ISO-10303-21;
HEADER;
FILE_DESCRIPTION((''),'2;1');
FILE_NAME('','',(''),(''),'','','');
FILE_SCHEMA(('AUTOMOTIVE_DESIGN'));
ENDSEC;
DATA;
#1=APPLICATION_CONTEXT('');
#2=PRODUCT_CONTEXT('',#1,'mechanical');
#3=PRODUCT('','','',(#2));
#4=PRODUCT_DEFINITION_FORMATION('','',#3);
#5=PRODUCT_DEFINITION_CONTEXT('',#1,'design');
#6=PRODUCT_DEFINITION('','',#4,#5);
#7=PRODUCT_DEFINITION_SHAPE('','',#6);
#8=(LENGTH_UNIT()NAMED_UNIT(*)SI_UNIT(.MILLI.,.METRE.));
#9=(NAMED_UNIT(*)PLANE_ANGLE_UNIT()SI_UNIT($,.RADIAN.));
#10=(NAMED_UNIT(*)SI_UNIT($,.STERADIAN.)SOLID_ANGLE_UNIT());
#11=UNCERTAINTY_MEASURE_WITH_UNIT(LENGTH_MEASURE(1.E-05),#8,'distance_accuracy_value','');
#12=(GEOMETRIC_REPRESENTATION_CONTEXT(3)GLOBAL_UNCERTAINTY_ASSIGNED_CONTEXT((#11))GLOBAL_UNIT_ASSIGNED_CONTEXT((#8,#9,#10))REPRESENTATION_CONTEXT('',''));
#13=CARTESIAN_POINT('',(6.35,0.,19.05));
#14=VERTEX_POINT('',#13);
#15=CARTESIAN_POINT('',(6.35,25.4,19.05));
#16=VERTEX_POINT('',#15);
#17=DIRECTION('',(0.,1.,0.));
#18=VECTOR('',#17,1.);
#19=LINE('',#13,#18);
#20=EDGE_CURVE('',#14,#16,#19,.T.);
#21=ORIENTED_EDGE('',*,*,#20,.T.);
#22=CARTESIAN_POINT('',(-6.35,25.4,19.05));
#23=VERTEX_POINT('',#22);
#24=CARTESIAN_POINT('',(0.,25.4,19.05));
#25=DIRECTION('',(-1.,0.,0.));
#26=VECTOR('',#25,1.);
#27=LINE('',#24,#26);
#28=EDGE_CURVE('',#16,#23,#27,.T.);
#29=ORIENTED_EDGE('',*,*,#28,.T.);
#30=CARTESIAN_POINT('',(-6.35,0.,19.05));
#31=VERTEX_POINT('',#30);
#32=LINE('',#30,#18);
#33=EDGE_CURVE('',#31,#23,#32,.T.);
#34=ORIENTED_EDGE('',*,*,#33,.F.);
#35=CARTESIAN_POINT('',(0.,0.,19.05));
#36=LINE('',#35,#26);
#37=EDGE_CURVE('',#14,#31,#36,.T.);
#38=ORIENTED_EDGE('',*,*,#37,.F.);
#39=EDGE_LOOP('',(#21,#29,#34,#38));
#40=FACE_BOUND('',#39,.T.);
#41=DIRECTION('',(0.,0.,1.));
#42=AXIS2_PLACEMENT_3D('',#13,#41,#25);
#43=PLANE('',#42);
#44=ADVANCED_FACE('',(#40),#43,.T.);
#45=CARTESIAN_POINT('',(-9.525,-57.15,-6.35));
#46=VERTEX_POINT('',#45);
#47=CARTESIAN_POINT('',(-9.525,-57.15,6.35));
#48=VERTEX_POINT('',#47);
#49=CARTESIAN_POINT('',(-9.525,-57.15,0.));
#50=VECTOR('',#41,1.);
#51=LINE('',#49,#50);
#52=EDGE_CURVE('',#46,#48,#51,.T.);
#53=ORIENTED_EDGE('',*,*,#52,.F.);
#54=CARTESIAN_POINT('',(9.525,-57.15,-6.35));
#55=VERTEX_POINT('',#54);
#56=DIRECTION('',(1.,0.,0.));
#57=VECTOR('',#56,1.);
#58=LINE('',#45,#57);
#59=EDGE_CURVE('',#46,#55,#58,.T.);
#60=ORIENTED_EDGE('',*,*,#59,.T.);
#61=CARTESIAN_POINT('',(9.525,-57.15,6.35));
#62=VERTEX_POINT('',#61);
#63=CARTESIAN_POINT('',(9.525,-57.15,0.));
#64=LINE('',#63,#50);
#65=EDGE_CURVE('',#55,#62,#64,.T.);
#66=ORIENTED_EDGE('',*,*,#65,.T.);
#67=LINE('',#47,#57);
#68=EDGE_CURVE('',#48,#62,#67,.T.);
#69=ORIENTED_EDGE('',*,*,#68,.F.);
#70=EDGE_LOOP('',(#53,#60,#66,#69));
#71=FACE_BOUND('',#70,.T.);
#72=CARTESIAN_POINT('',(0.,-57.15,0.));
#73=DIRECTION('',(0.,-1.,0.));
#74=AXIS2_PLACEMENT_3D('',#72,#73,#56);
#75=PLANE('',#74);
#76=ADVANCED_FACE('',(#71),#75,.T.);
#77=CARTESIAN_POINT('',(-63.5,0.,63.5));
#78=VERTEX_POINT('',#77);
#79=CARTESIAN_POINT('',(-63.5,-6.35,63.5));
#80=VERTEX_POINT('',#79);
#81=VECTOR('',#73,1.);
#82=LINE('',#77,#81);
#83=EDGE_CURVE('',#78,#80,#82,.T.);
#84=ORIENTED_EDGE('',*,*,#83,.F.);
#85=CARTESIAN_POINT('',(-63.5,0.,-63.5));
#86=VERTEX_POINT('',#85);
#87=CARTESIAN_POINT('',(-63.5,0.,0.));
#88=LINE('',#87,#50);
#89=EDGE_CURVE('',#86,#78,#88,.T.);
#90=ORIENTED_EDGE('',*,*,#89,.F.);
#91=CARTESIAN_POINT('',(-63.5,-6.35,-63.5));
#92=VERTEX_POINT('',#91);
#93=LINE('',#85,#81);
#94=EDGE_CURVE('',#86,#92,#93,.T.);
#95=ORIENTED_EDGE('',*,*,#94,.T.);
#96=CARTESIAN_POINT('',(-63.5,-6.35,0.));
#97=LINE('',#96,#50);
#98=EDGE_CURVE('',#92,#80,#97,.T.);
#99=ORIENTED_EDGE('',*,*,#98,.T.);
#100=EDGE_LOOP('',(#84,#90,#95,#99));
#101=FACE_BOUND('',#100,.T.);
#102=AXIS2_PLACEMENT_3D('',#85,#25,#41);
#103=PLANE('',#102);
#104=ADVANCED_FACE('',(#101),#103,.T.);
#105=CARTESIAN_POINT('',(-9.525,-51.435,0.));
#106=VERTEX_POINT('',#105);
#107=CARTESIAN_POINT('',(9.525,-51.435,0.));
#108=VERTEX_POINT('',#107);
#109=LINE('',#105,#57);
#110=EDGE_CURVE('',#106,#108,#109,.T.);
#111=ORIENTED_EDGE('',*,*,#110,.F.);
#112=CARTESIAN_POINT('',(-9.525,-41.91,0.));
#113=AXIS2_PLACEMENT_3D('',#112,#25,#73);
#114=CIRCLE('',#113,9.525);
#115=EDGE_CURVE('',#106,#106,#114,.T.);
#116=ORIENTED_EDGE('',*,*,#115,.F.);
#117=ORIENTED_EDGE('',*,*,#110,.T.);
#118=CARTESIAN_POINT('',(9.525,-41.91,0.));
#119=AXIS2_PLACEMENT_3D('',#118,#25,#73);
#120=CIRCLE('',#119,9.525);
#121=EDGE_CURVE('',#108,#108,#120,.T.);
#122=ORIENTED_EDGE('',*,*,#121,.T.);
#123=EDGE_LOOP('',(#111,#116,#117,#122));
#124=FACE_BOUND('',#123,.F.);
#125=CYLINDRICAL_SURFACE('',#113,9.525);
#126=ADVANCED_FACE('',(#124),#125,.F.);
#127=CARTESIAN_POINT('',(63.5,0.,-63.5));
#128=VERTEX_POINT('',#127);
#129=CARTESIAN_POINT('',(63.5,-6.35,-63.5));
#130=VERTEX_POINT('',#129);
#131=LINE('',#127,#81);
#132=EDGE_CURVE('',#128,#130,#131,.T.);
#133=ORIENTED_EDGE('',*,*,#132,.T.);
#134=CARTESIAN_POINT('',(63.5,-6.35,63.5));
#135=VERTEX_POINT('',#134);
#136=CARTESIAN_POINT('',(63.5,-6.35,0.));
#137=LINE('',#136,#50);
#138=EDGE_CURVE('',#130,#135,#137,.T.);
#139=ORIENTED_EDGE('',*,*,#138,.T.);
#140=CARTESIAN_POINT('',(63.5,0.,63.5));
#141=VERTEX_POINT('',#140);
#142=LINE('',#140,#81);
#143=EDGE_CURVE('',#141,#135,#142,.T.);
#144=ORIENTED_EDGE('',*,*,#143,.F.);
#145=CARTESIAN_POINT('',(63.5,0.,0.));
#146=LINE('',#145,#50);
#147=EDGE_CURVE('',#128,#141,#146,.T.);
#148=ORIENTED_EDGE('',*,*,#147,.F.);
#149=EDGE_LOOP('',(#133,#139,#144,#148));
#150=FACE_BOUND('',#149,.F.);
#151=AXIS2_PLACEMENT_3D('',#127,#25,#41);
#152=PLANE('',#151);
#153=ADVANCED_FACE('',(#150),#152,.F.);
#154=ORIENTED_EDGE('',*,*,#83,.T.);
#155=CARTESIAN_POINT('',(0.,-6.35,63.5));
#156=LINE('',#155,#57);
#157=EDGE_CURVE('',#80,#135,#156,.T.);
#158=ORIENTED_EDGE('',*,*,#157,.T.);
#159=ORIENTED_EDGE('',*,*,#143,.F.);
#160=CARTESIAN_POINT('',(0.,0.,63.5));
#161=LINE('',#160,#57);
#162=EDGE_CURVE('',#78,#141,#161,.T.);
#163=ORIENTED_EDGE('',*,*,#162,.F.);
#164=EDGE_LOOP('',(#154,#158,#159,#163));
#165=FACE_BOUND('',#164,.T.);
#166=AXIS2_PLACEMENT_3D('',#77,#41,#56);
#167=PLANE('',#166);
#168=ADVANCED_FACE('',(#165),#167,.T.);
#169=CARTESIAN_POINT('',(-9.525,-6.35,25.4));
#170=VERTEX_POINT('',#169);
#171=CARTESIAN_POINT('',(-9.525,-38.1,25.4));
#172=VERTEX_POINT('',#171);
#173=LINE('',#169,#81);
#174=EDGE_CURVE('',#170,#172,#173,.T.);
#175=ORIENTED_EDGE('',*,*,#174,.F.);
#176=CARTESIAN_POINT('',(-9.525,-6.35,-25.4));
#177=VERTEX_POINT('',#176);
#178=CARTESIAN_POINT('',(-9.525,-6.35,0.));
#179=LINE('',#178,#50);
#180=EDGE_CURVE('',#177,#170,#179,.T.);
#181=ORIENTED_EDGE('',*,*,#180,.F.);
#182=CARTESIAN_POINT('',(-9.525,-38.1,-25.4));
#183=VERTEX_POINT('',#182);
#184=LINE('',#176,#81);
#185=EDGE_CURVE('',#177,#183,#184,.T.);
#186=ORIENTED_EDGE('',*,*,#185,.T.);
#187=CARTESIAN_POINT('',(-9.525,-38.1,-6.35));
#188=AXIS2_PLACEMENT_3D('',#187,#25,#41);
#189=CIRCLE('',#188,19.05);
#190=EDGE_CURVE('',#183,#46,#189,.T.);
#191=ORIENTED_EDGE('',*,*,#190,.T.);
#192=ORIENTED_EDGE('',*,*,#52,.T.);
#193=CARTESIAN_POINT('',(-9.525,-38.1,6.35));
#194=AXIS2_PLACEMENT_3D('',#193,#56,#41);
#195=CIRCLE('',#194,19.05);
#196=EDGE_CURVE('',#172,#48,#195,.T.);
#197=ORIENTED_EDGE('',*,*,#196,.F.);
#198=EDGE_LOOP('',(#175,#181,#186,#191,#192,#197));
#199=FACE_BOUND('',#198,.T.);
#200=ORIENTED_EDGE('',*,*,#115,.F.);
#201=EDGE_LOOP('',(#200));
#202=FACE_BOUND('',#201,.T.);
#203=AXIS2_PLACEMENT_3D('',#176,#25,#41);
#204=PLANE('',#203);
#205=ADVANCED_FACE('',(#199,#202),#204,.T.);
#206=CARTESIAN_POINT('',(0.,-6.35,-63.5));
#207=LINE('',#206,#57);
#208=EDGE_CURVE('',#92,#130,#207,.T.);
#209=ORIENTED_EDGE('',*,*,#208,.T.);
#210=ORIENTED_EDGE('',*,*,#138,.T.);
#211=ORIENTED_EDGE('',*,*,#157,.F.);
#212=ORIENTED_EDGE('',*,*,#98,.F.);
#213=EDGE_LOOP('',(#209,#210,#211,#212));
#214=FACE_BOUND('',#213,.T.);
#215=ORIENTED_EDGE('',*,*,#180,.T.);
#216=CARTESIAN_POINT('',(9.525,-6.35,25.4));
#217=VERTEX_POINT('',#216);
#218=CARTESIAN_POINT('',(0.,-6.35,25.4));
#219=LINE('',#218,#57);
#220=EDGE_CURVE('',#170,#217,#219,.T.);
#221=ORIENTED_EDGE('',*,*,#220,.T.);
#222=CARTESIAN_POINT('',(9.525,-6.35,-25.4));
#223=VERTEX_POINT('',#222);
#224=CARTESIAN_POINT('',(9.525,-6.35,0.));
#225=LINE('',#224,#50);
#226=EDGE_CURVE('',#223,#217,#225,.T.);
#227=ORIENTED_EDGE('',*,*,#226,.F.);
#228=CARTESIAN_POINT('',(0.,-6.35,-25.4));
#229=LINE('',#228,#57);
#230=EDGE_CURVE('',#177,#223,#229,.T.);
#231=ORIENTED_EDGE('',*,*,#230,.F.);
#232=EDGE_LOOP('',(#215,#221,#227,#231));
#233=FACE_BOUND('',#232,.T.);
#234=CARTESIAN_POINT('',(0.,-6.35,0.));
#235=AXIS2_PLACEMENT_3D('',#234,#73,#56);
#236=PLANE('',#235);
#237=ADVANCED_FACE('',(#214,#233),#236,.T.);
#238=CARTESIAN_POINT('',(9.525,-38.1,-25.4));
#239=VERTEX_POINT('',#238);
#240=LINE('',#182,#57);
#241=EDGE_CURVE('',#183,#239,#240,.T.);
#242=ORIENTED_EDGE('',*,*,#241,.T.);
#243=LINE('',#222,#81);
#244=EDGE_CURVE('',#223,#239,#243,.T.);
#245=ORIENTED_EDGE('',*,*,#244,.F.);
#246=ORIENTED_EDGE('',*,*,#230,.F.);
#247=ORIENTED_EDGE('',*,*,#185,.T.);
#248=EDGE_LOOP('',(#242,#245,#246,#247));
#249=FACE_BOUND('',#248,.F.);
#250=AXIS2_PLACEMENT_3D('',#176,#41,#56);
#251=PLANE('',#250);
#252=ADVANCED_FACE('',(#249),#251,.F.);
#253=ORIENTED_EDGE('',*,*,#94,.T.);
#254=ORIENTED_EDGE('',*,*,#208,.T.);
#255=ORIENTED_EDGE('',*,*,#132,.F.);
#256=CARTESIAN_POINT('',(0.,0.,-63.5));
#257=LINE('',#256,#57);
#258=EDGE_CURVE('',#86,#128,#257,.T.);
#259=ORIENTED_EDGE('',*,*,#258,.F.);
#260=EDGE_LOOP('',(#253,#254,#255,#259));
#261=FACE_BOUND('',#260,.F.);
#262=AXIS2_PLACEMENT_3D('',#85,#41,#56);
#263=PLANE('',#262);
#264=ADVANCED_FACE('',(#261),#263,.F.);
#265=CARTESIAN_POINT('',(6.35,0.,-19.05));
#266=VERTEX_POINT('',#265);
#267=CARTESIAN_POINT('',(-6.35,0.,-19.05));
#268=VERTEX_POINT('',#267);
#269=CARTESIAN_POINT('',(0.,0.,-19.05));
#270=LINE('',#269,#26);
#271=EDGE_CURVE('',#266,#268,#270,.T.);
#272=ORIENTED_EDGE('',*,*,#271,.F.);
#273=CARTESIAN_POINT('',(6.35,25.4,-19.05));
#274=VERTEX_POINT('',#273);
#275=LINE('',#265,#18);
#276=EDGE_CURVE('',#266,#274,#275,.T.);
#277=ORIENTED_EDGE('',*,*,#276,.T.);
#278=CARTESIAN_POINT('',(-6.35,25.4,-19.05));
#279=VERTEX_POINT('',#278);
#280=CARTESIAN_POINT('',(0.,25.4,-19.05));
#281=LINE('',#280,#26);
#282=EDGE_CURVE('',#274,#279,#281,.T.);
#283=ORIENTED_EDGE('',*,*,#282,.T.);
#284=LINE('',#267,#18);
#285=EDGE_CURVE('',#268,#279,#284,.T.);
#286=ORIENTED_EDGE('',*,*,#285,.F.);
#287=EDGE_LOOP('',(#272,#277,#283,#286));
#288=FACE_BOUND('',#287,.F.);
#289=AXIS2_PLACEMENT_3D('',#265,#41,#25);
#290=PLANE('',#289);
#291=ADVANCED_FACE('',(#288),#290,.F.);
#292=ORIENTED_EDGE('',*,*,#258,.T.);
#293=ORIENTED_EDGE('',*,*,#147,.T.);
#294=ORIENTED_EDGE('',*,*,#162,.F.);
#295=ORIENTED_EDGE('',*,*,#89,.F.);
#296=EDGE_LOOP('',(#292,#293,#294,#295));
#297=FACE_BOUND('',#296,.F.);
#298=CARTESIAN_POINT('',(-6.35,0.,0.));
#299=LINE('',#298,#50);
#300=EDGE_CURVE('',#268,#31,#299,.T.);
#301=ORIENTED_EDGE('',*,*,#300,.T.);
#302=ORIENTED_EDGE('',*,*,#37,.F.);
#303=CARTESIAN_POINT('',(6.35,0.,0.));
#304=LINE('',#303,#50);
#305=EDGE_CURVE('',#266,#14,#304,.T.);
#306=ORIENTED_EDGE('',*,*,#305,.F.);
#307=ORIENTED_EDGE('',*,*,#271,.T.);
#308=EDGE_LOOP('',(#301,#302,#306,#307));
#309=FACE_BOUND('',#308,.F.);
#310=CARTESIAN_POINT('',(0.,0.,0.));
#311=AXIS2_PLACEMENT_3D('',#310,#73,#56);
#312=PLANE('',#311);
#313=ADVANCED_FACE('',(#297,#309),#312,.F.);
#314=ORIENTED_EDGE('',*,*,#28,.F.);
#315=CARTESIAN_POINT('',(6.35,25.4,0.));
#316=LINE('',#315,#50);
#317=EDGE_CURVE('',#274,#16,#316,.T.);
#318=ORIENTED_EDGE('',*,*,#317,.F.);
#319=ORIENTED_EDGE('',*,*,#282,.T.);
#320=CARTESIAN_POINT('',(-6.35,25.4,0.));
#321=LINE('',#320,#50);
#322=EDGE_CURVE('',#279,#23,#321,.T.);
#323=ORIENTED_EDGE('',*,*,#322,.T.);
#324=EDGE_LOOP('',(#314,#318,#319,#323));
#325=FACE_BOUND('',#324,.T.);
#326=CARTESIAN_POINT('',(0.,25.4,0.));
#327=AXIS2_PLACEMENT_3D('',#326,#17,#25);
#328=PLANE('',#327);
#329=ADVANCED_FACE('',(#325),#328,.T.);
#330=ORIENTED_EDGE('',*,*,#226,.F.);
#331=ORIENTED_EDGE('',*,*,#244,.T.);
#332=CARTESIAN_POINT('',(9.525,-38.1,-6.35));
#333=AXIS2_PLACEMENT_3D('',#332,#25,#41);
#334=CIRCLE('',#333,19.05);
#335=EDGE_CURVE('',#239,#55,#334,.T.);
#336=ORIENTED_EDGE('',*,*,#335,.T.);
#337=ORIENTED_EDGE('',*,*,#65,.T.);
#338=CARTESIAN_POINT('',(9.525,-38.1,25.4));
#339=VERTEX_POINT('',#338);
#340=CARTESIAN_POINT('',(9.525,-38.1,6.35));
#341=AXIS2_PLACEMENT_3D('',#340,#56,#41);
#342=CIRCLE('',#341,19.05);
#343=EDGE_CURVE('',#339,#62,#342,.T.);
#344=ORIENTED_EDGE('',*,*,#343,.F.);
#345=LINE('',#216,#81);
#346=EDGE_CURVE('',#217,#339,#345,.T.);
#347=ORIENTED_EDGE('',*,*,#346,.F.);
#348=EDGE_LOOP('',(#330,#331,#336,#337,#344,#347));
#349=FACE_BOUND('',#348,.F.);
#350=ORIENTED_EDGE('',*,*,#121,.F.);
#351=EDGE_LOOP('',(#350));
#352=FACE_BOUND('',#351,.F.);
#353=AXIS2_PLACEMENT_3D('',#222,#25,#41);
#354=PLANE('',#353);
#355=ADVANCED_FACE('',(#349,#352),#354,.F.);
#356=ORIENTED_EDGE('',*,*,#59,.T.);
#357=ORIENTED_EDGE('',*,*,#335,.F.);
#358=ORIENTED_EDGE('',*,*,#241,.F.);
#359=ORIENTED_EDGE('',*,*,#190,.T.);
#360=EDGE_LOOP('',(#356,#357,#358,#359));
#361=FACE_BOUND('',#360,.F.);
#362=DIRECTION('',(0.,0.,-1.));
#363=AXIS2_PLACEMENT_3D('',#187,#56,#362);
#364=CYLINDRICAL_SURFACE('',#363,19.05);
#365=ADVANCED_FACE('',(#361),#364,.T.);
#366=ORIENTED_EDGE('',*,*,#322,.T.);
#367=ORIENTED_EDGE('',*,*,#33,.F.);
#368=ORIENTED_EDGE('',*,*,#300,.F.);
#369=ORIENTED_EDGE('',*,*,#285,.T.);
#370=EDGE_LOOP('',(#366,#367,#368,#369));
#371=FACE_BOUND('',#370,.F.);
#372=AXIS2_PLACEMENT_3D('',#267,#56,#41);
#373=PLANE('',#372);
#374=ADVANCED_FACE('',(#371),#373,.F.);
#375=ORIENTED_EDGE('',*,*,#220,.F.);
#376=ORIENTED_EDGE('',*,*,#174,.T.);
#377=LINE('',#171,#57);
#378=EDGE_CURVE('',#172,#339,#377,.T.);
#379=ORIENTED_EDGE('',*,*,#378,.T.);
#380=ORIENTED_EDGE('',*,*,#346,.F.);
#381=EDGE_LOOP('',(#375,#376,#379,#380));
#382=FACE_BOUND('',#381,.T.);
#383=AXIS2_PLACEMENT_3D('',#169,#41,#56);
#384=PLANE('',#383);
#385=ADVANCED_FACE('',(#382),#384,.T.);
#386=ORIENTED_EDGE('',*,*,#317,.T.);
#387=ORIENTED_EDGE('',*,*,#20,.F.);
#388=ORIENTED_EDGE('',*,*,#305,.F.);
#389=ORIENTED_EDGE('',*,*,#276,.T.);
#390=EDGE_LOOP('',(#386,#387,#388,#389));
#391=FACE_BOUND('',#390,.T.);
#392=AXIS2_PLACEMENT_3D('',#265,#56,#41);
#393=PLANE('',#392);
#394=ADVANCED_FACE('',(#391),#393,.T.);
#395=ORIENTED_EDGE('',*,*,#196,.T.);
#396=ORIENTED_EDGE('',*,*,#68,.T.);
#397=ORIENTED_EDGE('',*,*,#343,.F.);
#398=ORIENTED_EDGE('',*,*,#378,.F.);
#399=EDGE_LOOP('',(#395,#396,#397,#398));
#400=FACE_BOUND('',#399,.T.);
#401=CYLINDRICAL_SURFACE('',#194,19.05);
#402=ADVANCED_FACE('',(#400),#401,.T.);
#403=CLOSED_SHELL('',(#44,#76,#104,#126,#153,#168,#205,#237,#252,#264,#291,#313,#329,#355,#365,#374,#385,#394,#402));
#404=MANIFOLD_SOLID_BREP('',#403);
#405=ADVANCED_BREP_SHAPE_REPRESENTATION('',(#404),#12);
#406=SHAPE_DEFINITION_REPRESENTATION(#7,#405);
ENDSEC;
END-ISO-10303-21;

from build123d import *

# Parameters (mm, degrees)
F0_W     = 127
F0_H     = 127
F1_DEPTH = 6.35
F2_W     = 19.05
F2_H     = 50.8
F3_DEPTH = 50.8
F4_R     = 9.525
F5_DEPTH = 73.026
F6_W     = 12.7
F6_H     = 38.1
F7_DEPTH = 25.4
F8_R     = 19.05


with BuildPart() as f1:
    # F0 (on Front) → F1 (new body)
    with BuildSketch(Plane.XZ):
        Rectangle(F0_W, F0_H)
    extrude(amount=F1_DEPTH)

    # F2 (on face) → F3 (join)
    with BuildSketch(Plane.XZ.offset(6.35)):
        Rectangle(F2_W, F2_H)
    extrude(amount=F3_DEPTH)

    # F4 (on face) → F5 (cut, through all)
    with BuildSketch(Plane(origin=(-9.525, 0, 0), x_dir=(0, -1, 0), z_dir=(-1, 0, 0))):
        with Locations((41.91, 0)):
            Circle(F4_R)
    extrude(amount=-F5_DEPTH, mode=Mode.SUBTRACT)

    # F6 (on face) → F7 (join)
    with BuildSketch(Plane(origin=(0, 0, 0), x_dir=(-1, 0, 0), z_dir=(0, 1, 0))):
        Rectangle(F6_W, F6_H)
    extrude(amount=F7_DEPTH)

    # F8
    f8_edges = [f1.edges().sort_by_distance(p)[0] for p in [
        (0, -57.15, 25.4),
        (0, -57.15, -25.4),
    ]]
    fillet(f8_edges, radius=F8_R)


solid = f1.part
